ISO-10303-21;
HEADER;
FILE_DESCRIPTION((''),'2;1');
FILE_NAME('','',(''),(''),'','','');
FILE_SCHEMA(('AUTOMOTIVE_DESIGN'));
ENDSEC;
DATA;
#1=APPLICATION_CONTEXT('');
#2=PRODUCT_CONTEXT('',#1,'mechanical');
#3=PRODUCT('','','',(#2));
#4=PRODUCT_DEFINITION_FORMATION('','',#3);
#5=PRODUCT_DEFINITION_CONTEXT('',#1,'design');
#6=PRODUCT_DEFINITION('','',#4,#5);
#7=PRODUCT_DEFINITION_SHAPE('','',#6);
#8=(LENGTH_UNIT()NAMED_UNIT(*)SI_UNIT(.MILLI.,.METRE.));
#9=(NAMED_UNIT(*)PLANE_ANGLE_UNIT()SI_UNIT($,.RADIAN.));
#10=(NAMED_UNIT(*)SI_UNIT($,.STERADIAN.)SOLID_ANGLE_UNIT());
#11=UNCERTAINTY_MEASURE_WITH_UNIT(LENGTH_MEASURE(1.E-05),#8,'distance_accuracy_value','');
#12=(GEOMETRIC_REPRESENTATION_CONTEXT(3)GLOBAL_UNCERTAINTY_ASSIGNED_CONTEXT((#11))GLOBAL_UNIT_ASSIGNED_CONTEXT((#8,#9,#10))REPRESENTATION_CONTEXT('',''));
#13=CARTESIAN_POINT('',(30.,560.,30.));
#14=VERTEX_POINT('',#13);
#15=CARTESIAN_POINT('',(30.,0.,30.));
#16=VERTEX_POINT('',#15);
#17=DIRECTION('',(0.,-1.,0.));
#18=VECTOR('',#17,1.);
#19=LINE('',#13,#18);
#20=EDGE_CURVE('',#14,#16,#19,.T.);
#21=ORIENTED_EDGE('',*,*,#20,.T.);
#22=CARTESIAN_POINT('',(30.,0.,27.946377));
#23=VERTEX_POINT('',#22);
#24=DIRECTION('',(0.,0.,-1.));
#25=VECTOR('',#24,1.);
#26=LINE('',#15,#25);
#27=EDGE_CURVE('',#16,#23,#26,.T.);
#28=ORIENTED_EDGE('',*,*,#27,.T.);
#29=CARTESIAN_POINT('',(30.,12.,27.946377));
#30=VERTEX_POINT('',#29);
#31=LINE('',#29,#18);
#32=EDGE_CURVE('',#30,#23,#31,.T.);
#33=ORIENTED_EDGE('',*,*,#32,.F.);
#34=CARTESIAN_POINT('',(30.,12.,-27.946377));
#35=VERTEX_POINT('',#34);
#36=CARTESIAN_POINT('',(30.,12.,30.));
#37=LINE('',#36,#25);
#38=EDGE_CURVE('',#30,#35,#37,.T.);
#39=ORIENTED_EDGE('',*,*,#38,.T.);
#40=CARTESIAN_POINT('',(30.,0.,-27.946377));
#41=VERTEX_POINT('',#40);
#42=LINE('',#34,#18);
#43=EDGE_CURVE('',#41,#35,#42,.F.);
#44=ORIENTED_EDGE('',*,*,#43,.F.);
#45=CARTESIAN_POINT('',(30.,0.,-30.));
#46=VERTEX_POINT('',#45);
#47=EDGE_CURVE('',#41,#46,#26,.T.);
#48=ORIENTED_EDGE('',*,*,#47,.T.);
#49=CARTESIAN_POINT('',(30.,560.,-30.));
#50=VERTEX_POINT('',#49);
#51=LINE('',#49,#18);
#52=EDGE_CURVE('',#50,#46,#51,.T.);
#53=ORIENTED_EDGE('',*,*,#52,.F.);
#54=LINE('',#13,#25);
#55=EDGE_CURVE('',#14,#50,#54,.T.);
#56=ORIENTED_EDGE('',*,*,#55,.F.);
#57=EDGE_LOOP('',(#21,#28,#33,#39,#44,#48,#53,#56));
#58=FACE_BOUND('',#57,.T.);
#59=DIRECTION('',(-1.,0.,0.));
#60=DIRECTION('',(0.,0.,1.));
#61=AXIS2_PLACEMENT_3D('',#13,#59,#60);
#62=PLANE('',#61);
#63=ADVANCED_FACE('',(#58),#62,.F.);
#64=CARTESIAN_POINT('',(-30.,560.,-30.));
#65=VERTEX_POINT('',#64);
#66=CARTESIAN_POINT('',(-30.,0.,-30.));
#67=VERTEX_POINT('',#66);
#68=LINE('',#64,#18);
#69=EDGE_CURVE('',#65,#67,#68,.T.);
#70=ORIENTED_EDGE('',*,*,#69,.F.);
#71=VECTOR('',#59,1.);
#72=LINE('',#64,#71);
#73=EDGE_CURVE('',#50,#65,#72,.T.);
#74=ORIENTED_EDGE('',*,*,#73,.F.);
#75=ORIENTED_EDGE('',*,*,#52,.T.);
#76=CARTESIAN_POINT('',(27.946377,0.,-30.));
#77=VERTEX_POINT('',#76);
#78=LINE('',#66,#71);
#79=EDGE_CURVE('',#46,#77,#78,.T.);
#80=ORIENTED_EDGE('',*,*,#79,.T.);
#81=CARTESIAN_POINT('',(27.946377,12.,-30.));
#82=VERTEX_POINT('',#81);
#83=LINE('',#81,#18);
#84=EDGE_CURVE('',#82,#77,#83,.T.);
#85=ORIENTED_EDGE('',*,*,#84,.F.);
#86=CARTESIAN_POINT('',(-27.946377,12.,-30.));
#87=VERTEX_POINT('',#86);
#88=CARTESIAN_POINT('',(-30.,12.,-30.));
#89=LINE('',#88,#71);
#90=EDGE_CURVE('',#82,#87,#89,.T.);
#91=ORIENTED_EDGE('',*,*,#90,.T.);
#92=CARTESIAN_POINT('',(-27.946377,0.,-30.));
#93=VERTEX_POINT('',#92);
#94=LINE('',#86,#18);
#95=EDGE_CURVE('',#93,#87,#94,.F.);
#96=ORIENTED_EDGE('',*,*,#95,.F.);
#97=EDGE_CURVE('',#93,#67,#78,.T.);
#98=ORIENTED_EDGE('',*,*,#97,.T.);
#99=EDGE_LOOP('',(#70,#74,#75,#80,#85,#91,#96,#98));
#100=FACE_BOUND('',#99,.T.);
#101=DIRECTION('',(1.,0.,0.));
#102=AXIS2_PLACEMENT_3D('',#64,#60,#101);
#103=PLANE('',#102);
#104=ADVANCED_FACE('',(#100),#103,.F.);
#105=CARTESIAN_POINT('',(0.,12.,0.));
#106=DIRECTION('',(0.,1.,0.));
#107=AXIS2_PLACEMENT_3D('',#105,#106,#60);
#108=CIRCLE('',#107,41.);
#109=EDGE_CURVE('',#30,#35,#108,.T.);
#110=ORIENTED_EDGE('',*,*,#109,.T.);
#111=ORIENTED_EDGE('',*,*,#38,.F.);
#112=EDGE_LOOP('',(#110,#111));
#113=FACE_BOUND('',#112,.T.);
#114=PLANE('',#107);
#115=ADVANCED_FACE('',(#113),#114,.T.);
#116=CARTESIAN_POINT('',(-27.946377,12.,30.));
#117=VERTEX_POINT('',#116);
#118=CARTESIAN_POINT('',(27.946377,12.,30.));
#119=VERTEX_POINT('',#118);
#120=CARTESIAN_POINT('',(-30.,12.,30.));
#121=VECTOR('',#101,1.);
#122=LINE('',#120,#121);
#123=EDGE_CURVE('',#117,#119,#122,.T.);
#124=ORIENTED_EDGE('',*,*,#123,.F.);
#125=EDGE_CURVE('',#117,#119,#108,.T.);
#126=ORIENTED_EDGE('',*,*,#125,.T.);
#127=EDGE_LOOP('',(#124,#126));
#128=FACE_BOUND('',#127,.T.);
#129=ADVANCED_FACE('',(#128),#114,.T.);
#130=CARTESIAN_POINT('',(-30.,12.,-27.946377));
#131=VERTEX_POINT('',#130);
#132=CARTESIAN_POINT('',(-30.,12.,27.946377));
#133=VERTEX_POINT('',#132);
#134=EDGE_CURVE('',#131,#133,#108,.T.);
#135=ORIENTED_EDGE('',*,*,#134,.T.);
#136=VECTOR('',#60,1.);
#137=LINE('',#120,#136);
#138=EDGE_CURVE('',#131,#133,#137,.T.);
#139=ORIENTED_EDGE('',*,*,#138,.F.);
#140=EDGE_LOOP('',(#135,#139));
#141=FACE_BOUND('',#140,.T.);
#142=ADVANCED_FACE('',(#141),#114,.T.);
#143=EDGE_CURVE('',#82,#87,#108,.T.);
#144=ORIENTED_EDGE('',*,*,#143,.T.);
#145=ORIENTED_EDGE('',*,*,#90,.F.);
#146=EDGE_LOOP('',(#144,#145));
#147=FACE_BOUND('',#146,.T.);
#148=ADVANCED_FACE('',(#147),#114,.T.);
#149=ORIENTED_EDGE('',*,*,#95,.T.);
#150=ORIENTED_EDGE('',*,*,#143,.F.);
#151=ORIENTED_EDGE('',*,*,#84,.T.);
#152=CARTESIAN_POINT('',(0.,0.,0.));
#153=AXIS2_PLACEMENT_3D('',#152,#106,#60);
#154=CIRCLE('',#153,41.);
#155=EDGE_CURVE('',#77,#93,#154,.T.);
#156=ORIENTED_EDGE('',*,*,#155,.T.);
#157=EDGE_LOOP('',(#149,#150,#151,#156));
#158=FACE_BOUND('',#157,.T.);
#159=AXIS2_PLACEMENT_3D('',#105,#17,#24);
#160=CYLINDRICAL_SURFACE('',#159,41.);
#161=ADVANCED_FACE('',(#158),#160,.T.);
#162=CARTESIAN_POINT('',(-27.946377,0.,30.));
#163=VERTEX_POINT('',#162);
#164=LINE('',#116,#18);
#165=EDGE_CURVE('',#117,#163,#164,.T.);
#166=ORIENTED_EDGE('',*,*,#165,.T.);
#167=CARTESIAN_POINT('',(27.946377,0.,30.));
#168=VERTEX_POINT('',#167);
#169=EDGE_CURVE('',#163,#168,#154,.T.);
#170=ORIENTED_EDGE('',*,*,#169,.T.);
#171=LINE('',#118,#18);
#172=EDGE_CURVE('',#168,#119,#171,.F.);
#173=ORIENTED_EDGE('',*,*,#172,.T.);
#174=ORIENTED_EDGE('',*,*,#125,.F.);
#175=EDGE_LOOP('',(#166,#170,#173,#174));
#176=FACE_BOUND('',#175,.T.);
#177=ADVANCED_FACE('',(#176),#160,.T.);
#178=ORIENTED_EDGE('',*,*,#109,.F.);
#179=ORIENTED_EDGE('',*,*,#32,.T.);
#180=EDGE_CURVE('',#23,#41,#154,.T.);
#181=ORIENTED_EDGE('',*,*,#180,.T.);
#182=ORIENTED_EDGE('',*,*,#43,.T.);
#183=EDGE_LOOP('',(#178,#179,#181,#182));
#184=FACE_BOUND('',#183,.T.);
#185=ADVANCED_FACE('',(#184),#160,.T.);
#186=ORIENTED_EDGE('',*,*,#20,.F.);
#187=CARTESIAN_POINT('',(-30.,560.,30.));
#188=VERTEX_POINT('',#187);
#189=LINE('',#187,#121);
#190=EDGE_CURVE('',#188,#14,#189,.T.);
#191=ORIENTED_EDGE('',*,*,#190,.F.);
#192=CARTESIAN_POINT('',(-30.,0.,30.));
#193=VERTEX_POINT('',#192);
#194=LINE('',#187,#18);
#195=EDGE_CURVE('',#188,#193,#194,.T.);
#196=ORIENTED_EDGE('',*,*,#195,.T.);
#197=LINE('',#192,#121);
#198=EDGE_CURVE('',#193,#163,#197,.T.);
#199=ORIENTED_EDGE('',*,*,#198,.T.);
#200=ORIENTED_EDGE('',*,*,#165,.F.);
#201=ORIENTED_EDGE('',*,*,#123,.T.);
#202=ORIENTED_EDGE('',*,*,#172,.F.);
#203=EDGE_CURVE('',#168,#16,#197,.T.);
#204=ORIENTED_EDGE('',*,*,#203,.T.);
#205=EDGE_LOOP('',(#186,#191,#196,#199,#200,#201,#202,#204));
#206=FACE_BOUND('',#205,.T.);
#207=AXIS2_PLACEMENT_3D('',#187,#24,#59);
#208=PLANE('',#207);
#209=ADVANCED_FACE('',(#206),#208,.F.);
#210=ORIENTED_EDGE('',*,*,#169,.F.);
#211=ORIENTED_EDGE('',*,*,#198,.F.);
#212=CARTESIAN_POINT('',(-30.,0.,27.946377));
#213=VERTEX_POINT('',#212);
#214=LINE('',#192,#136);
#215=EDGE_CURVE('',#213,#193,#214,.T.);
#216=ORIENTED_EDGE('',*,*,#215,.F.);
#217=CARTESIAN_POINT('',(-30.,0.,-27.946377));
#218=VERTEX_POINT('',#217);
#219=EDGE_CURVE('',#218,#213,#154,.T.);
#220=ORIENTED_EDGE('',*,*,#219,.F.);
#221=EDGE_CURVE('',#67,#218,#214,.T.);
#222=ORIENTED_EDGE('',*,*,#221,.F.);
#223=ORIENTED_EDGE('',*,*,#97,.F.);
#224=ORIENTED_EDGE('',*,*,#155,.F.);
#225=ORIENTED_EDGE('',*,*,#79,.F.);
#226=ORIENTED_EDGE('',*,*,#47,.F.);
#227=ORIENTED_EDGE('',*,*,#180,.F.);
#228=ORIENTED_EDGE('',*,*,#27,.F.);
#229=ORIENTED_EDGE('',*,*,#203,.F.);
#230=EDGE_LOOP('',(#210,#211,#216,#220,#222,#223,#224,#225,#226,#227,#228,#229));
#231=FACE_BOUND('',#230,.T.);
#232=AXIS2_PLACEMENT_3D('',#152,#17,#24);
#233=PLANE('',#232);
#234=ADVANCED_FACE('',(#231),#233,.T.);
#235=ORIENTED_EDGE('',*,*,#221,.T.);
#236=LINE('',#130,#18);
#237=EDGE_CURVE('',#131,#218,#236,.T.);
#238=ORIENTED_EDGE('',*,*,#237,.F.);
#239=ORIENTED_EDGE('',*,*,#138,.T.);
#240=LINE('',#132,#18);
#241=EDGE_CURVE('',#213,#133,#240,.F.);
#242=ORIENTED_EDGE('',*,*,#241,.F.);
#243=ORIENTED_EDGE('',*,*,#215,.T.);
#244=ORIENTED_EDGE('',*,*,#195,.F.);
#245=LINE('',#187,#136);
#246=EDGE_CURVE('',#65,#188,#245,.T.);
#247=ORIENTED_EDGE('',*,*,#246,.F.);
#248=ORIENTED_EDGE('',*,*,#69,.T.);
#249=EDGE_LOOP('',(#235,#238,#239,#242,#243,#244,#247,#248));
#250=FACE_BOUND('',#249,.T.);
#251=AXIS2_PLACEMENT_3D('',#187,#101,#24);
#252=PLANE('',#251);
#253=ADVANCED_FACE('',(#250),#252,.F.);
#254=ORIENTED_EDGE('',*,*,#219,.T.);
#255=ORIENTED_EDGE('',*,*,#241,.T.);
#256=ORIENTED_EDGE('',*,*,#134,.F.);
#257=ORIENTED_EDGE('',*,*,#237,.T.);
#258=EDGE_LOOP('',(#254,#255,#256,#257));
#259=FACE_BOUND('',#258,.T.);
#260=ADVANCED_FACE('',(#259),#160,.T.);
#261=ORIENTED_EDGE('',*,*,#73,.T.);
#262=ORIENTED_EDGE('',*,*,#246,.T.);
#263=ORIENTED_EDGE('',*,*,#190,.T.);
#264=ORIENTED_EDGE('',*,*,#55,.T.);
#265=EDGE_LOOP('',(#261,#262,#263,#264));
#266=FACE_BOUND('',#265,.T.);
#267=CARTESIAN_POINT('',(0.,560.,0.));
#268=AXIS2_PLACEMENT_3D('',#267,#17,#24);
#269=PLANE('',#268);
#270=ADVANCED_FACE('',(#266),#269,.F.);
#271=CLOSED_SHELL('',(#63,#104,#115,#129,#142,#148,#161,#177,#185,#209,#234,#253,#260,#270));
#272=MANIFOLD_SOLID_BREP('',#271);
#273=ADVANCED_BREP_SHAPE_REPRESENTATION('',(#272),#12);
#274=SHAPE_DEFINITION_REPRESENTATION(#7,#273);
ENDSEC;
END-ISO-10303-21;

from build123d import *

# Parameters (mm, degrees)
F_01_HOUSING_PROFILE_W        = 60
F_01_HOUSING_PROFILE_H        = 60
F_01_HOUSING_BLOCK_DEPTH      = 560
F_02_FACE_BOSS_PROFILE_R      = 41
F_02_FACE_LOCATING_BOSS_DEPTH = 12


with BuildPart() as part:
    # 01_Housing_Profile → 01_Housing_Block (new body)
    with BuildSketch(Plane(origin=(0, 0, 0), x_dir=(1, 0, 0), z_dir=(0, 1, 0))):
        Rectangle(F_01_HOUSING_PROFILE_W, F_01_HOUSING_PROFILE_H)
    extrude(amount=F_01_HOUSING_BLOCK_DEPTH)

    # 02_Face_Boss_Profile → 02_Face_Locating_Boss (add)
    with BuildSketch(Plane(origin=(0, 0, 0), x_dir=(1, 0, 0), z_dir=(0, 1, 0))):
        Circle(F_02_FACE_BOSS_PROFILE_R)
    extrude(amount=F_02_FACE_LOCATING_BOSS_DEPTH)


solid = part.part
